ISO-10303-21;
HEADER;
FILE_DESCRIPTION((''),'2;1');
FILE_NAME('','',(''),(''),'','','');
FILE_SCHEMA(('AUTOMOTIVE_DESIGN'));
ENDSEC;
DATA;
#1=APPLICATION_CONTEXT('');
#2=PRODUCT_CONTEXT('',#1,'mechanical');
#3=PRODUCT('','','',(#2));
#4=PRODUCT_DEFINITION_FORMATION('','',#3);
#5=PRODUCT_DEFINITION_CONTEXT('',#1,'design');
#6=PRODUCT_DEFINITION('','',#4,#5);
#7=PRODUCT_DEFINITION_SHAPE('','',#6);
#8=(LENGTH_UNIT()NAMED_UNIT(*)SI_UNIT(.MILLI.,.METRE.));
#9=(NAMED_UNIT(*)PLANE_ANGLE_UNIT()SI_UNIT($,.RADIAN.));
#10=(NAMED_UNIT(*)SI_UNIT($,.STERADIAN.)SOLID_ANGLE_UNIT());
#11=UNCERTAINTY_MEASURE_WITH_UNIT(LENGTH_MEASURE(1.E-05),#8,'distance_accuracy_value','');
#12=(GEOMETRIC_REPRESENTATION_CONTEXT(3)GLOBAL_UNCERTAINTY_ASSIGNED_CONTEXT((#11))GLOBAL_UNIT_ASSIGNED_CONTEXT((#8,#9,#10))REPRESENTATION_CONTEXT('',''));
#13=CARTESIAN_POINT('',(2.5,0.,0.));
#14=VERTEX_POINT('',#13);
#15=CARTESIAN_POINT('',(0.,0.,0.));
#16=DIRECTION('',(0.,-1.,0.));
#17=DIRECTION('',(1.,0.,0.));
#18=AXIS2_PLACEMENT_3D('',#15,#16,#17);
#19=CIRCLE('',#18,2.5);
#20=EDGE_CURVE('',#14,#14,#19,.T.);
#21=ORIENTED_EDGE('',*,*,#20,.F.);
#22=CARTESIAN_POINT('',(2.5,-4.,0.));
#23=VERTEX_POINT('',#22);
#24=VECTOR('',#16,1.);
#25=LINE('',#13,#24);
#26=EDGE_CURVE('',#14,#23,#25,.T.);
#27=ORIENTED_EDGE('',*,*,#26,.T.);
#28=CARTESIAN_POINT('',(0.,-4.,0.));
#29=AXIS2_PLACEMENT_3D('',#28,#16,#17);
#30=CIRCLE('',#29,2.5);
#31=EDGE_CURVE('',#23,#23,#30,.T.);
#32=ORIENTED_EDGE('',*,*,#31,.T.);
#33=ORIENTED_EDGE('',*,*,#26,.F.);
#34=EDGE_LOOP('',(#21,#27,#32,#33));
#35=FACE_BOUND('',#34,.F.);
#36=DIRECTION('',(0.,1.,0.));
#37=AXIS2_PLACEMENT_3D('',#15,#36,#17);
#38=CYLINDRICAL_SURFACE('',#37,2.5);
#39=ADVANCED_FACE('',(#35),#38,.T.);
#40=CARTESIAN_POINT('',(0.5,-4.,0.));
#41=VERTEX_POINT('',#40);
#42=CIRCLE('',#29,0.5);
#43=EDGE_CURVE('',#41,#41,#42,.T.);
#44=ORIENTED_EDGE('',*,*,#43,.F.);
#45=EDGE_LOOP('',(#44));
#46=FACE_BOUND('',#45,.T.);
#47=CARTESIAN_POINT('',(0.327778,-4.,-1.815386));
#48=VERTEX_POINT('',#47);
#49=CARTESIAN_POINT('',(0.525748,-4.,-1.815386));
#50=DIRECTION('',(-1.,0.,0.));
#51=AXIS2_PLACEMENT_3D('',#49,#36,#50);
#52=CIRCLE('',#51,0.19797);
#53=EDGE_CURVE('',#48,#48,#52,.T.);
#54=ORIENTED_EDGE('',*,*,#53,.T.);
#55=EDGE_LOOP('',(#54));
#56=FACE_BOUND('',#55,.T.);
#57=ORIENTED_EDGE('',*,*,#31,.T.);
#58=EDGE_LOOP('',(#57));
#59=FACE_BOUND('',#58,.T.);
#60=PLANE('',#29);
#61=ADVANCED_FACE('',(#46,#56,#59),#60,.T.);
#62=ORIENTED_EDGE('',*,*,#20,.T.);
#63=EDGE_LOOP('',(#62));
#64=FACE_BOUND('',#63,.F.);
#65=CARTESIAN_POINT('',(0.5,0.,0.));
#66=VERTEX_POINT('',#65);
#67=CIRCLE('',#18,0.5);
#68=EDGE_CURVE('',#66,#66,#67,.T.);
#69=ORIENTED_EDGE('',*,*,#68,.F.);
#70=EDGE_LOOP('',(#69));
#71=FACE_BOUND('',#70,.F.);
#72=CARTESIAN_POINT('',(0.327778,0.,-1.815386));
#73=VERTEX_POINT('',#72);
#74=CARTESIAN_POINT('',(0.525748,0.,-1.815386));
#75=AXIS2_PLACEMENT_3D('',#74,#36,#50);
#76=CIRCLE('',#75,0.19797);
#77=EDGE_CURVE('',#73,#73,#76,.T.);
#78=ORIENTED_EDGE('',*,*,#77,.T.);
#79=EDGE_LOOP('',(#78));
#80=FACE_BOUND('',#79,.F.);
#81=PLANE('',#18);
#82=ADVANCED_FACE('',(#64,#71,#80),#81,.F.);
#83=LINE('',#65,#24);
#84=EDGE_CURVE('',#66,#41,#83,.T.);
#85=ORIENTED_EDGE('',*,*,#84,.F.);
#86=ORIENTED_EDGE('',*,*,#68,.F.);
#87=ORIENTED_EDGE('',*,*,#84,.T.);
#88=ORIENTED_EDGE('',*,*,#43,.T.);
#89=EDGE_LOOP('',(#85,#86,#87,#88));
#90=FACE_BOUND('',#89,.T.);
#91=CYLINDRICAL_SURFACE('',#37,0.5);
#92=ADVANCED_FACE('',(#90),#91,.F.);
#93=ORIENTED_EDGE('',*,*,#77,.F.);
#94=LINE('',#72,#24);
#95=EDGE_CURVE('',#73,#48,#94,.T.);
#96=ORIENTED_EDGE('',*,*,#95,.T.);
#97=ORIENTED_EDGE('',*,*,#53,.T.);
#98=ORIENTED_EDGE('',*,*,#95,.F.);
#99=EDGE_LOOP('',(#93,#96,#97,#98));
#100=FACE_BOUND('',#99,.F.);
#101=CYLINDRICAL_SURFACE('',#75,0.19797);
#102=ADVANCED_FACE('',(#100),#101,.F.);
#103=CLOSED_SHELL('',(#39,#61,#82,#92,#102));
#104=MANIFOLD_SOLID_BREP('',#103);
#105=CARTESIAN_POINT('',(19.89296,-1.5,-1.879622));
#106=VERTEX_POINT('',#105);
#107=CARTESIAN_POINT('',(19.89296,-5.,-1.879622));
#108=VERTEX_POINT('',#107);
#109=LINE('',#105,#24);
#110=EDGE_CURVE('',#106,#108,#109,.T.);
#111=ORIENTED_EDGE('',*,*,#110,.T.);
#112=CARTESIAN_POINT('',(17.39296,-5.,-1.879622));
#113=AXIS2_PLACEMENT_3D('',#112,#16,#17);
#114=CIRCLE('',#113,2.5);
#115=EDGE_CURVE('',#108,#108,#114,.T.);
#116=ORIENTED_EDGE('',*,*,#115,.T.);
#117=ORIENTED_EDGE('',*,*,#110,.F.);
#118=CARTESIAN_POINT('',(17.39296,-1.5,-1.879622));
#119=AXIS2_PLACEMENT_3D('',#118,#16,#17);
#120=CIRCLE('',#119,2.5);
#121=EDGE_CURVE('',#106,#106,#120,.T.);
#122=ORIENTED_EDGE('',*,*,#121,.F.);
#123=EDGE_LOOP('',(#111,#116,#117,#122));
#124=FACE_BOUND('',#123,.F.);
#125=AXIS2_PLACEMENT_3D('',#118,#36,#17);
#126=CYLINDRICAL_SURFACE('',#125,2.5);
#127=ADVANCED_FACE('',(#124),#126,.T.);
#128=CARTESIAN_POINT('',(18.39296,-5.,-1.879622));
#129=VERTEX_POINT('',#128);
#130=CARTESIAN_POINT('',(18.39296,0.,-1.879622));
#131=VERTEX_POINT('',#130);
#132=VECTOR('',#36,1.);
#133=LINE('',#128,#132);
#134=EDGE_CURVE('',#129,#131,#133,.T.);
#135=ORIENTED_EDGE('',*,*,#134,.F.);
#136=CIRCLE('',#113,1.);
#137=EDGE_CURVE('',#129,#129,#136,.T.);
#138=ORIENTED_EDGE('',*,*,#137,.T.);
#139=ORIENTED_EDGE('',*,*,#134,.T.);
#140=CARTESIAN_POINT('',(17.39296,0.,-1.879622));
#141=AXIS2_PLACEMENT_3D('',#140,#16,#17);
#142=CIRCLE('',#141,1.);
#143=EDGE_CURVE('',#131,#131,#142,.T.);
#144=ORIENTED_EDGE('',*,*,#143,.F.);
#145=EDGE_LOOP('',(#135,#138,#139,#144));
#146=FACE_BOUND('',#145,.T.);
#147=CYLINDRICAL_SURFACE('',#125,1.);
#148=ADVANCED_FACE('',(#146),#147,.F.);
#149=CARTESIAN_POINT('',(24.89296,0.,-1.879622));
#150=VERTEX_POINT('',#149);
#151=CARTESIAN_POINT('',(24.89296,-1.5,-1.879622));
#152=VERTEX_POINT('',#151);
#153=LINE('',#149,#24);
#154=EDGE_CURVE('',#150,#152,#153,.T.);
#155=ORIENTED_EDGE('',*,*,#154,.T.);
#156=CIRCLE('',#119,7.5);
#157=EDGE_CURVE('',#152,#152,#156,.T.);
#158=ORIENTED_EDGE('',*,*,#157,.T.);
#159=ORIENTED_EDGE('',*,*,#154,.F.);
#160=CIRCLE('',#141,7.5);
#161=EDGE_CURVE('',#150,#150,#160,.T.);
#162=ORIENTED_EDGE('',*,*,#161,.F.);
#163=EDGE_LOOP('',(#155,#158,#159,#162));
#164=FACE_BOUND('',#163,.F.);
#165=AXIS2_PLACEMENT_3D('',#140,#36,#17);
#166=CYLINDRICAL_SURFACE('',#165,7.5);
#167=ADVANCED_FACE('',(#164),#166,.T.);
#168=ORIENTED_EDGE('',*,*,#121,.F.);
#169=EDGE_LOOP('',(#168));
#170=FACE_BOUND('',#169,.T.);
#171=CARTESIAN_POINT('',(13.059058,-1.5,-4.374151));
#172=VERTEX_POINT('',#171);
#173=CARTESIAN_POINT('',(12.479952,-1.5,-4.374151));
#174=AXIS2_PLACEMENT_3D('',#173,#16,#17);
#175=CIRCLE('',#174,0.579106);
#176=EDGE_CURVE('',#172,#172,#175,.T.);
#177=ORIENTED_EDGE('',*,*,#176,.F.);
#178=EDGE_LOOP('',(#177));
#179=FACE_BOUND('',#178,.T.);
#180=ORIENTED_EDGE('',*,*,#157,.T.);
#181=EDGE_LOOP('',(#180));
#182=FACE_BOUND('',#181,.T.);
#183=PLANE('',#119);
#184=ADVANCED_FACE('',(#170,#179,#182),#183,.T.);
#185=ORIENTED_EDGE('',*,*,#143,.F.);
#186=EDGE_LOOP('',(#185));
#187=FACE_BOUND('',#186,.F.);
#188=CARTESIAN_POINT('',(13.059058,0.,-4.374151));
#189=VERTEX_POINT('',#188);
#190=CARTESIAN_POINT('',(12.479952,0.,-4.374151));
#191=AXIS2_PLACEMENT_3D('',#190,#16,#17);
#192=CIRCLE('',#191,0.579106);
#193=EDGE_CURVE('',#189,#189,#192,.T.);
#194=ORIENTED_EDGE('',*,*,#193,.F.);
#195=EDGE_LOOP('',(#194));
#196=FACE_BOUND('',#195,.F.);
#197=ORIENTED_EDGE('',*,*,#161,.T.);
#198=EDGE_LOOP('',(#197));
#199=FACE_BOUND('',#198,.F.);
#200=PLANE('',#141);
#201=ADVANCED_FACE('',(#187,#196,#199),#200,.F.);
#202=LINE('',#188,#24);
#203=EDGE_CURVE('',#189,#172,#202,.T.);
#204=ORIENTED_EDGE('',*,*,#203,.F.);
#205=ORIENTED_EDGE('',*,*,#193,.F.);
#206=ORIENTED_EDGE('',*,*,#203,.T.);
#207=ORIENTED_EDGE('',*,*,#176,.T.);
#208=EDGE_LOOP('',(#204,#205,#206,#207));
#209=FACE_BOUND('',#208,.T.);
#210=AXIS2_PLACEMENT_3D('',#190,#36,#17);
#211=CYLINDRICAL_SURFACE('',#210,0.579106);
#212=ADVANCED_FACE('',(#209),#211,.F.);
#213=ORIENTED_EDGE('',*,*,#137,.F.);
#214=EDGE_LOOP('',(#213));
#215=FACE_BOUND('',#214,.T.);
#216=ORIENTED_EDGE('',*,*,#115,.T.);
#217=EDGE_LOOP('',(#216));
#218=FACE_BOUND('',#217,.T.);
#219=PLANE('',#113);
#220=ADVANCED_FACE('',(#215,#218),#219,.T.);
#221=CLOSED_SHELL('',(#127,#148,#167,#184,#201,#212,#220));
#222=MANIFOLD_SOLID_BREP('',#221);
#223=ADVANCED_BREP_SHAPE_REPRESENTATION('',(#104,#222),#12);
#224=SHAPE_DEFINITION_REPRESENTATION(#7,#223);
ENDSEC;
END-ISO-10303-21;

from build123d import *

# Parameters (mm, degrees)
F0_R     = 2.5
F0_R_2   = 0.5
F1_DEPTH = 4
F2_R     = 7.5
F2_R_2   = 0.579106
F2_R_3   = 1
F3_DEPTH = 1.5
F4_R     = 2.5
F4_R_2   = 1
F5_DEPTH = 3.5
F6_R     = 0.19797
F7_DEPTH = 5.001


with BuildPart() as f1:
    # F0 (on Front) → F1 (new body)
    with BuildSketch(Plane.XZ):
        Circle(F0_R)
        Circle(F0_R_2, mode=Mode.SUBTRACT)
    extrude(amount=F1_DEPTH)

    # F6 (on face) → F7 (cut, through all)
    with BuildSketch(Plane(origin=(0, 0, 0), x_dir=(-1, 0, 0), z_dir=(0, 1, 0))):
        with Locations((-0.525748, -1.815386)):
            Circle(F6_R)
    extrude(amount=-F7_DEPTH, mode=Mode.SUBTRACT)


with BuildPart() as f3:
    # F2 (on Front) → F3 (new body)
    with BuildSketch(Plane.XZ):
        with Locations((17.39296, -1.879622)):
            Circle(F2_R)
        with Locations((12.479952, -4.374151)):
            Circle(F2_R_2, mode=Mode.SUBTRACT)
        with Locations((17.39296, -1.879622)):
            Circle(F2_R_3, mode=Mode.SUBTRACT)
    extrude(amount=F3_DEPTH)

    # F4 (on face) → F5 (join)
    with BuildSketch(Plane.XZ.offset(1.5)):
        with Locations((17.39296, -1.879622)):
            Circle(F4_R)
        with Locations((17.39296, -1.879622)):
            Circle(F4_R_2, mode=Mode.SUBTRACT)
    extrude(amount=F5_DEPTH)


solid = Compound([f1.part, f3.part])
